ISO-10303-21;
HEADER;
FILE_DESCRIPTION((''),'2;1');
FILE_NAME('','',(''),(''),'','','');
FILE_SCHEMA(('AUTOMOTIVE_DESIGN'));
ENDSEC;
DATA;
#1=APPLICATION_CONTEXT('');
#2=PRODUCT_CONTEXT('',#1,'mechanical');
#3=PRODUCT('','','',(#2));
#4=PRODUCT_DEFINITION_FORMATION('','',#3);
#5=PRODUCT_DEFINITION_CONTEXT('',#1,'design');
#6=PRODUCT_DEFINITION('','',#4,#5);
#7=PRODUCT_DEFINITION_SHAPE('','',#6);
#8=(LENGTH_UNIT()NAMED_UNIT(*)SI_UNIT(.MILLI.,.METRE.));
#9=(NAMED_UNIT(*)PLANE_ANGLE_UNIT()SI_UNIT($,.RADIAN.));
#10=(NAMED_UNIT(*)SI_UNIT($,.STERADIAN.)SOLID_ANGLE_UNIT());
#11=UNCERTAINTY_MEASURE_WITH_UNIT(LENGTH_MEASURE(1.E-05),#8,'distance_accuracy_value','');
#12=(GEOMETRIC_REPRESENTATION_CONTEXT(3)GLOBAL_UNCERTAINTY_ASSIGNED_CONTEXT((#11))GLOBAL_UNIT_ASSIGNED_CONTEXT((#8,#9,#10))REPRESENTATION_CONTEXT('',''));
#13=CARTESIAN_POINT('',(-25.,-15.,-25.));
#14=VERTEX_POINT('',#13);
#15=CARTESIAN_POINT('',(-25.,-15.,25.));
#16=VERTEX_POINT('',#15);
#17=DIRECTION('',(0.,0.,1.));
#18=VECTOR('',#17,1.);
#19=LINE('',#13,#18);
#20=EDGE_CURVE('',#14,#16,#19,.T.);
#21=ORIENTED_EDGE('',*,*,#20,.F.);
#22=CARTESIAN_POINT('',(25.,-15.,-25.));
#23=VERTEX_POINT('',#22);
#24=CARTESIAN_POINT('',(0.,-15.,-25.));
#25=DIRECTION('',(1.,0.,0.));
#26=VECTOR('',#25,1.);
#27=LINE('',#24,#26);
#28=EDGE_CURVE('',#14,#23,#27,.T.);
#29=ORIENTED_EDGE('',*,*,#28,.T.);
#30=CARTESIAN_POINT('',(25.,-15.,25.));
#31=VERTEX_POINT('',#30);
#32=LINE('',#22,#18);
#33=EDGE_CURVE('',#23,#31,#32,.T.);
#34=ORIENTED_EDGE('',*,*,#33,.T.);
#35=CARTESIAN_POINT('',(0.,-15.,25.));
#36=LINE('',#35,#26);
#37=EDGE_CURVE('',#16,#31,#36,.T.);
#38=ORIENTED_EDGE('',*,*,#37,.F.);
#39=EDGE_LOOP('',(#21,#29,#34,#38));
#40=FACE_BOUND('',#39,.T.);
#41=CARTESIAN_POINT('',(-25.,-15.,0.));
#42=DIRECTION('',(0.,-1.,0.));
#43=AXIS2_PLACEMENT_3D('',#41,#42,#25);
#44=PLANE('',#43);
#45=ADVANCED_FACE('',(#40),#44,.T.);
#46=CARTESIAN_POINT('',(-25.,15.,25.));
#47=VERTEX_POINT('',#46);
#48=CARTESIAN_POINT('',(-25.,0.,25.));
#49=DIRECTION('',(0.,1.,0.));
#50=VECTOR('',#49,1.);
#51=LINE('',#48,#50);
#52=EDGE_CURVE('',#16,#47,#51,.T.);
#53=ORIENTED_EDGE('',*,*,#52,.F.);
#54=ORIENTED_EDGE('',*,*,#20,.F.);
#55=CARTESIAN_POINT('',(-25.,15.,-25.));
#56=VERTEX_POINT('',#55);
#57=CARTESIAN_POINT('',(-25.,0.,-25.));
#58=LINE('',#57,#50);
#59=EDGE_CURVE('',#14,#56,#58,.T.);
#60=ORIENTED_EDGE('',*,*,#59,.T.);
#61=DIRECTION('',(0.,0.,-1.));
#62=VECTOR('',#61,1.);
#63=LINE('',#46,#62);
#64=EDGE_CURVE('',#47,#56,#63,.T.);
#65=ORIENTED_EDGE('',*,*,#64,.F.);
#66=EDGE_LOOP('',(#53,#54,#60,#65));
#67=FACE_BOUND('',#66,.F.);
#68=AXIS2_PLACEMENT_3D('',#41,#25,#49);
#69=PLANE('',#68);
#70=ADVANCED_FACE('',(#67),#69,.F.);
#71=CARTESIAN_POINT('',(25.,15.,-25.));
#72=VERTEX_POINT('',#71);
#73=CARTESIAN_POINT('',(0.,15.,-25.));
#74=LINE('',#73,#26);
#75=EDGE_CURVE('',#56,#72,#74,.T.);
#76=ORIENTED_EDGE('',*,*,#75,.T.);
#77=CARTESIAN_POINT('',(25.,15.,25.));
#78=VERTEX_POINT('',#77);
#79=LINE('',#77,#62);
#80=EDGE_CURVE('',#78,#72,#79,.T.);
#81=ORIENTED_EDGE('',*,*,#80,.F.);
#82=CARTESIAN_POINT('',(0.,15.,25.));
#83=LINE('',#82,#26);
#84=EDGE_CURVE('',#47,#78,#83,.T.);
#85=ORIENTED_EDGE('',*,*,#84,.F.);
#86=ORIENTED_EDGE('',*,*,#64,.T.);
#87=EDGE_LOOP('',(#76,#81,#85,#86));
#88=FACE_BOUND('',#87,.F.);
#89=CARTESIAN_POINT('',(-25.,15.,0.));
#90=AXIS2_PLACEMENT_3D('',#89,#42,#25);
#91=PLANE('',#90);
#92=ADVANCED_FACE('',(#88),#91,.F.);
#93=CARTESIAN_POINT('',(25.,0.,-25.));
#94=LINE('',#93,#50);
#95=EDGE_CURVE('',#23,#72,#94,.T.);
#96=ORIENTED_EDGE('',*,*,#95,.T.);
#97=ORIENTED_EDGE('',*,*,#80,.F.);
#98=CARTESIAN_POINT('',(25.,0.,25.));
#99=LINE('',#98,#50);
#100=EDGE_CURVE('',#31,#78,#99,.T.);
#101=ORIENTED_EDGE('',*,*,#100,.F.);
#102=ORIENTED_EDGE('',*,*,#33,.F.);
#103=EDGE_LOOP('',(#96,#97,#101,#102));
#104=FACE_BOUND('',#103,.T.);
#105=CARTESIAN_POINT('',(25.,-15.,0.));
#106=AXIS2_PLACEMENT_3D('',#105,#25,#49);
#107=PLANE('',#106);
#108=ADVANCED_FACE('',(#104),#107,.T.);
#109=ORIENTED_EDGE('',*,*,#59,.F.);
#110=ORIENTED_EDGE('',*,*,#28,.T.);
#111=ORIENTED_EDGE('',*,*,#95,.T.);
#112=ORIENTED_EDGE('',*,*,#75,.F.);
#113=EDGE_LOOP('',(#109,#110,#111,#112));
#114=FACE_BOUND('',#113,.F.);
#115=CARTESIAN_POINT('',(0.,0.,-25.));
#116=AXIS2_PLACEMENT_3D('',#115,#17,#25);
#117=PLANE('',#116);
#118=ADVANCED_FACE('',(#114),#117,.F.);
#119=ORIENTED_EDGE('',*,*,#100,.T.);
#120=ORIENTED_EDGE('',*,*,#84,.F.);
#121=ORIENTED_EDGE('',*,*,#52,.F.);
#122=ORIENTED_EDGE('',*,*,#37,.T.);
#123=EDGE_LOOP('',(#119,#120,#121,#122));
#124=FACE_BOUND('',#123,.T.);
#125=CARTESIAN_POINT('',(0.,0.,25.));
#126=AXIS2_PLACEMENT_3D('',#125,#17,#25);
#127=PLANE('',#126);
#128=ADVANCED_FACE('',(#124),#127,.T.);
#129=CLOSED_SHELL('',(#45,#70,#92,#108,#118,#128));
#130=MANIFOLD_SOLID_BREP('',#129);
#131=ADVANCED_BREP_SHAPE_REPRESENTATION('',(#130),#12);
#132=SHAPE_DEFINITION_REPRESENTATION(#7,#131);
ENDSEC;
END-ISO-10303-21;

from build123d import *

# Parameters (mm, degrees)
SKETCH_1_W      = 50
SKETCH_1_H      = 30
EXTRUDE_1_DEPTH = 25


with BuildPart() as part:
    # Эскиз1 → Бобышка-Вытянуть1 (new body, symmetric)
    with BuildSketch(Plane.XY):
        Rectangle(SKETCH_1_W, SKETCH_1_H)
    extrude(amount=EXTRUDE_1_DEPTH, both=True)


solid = part.part
